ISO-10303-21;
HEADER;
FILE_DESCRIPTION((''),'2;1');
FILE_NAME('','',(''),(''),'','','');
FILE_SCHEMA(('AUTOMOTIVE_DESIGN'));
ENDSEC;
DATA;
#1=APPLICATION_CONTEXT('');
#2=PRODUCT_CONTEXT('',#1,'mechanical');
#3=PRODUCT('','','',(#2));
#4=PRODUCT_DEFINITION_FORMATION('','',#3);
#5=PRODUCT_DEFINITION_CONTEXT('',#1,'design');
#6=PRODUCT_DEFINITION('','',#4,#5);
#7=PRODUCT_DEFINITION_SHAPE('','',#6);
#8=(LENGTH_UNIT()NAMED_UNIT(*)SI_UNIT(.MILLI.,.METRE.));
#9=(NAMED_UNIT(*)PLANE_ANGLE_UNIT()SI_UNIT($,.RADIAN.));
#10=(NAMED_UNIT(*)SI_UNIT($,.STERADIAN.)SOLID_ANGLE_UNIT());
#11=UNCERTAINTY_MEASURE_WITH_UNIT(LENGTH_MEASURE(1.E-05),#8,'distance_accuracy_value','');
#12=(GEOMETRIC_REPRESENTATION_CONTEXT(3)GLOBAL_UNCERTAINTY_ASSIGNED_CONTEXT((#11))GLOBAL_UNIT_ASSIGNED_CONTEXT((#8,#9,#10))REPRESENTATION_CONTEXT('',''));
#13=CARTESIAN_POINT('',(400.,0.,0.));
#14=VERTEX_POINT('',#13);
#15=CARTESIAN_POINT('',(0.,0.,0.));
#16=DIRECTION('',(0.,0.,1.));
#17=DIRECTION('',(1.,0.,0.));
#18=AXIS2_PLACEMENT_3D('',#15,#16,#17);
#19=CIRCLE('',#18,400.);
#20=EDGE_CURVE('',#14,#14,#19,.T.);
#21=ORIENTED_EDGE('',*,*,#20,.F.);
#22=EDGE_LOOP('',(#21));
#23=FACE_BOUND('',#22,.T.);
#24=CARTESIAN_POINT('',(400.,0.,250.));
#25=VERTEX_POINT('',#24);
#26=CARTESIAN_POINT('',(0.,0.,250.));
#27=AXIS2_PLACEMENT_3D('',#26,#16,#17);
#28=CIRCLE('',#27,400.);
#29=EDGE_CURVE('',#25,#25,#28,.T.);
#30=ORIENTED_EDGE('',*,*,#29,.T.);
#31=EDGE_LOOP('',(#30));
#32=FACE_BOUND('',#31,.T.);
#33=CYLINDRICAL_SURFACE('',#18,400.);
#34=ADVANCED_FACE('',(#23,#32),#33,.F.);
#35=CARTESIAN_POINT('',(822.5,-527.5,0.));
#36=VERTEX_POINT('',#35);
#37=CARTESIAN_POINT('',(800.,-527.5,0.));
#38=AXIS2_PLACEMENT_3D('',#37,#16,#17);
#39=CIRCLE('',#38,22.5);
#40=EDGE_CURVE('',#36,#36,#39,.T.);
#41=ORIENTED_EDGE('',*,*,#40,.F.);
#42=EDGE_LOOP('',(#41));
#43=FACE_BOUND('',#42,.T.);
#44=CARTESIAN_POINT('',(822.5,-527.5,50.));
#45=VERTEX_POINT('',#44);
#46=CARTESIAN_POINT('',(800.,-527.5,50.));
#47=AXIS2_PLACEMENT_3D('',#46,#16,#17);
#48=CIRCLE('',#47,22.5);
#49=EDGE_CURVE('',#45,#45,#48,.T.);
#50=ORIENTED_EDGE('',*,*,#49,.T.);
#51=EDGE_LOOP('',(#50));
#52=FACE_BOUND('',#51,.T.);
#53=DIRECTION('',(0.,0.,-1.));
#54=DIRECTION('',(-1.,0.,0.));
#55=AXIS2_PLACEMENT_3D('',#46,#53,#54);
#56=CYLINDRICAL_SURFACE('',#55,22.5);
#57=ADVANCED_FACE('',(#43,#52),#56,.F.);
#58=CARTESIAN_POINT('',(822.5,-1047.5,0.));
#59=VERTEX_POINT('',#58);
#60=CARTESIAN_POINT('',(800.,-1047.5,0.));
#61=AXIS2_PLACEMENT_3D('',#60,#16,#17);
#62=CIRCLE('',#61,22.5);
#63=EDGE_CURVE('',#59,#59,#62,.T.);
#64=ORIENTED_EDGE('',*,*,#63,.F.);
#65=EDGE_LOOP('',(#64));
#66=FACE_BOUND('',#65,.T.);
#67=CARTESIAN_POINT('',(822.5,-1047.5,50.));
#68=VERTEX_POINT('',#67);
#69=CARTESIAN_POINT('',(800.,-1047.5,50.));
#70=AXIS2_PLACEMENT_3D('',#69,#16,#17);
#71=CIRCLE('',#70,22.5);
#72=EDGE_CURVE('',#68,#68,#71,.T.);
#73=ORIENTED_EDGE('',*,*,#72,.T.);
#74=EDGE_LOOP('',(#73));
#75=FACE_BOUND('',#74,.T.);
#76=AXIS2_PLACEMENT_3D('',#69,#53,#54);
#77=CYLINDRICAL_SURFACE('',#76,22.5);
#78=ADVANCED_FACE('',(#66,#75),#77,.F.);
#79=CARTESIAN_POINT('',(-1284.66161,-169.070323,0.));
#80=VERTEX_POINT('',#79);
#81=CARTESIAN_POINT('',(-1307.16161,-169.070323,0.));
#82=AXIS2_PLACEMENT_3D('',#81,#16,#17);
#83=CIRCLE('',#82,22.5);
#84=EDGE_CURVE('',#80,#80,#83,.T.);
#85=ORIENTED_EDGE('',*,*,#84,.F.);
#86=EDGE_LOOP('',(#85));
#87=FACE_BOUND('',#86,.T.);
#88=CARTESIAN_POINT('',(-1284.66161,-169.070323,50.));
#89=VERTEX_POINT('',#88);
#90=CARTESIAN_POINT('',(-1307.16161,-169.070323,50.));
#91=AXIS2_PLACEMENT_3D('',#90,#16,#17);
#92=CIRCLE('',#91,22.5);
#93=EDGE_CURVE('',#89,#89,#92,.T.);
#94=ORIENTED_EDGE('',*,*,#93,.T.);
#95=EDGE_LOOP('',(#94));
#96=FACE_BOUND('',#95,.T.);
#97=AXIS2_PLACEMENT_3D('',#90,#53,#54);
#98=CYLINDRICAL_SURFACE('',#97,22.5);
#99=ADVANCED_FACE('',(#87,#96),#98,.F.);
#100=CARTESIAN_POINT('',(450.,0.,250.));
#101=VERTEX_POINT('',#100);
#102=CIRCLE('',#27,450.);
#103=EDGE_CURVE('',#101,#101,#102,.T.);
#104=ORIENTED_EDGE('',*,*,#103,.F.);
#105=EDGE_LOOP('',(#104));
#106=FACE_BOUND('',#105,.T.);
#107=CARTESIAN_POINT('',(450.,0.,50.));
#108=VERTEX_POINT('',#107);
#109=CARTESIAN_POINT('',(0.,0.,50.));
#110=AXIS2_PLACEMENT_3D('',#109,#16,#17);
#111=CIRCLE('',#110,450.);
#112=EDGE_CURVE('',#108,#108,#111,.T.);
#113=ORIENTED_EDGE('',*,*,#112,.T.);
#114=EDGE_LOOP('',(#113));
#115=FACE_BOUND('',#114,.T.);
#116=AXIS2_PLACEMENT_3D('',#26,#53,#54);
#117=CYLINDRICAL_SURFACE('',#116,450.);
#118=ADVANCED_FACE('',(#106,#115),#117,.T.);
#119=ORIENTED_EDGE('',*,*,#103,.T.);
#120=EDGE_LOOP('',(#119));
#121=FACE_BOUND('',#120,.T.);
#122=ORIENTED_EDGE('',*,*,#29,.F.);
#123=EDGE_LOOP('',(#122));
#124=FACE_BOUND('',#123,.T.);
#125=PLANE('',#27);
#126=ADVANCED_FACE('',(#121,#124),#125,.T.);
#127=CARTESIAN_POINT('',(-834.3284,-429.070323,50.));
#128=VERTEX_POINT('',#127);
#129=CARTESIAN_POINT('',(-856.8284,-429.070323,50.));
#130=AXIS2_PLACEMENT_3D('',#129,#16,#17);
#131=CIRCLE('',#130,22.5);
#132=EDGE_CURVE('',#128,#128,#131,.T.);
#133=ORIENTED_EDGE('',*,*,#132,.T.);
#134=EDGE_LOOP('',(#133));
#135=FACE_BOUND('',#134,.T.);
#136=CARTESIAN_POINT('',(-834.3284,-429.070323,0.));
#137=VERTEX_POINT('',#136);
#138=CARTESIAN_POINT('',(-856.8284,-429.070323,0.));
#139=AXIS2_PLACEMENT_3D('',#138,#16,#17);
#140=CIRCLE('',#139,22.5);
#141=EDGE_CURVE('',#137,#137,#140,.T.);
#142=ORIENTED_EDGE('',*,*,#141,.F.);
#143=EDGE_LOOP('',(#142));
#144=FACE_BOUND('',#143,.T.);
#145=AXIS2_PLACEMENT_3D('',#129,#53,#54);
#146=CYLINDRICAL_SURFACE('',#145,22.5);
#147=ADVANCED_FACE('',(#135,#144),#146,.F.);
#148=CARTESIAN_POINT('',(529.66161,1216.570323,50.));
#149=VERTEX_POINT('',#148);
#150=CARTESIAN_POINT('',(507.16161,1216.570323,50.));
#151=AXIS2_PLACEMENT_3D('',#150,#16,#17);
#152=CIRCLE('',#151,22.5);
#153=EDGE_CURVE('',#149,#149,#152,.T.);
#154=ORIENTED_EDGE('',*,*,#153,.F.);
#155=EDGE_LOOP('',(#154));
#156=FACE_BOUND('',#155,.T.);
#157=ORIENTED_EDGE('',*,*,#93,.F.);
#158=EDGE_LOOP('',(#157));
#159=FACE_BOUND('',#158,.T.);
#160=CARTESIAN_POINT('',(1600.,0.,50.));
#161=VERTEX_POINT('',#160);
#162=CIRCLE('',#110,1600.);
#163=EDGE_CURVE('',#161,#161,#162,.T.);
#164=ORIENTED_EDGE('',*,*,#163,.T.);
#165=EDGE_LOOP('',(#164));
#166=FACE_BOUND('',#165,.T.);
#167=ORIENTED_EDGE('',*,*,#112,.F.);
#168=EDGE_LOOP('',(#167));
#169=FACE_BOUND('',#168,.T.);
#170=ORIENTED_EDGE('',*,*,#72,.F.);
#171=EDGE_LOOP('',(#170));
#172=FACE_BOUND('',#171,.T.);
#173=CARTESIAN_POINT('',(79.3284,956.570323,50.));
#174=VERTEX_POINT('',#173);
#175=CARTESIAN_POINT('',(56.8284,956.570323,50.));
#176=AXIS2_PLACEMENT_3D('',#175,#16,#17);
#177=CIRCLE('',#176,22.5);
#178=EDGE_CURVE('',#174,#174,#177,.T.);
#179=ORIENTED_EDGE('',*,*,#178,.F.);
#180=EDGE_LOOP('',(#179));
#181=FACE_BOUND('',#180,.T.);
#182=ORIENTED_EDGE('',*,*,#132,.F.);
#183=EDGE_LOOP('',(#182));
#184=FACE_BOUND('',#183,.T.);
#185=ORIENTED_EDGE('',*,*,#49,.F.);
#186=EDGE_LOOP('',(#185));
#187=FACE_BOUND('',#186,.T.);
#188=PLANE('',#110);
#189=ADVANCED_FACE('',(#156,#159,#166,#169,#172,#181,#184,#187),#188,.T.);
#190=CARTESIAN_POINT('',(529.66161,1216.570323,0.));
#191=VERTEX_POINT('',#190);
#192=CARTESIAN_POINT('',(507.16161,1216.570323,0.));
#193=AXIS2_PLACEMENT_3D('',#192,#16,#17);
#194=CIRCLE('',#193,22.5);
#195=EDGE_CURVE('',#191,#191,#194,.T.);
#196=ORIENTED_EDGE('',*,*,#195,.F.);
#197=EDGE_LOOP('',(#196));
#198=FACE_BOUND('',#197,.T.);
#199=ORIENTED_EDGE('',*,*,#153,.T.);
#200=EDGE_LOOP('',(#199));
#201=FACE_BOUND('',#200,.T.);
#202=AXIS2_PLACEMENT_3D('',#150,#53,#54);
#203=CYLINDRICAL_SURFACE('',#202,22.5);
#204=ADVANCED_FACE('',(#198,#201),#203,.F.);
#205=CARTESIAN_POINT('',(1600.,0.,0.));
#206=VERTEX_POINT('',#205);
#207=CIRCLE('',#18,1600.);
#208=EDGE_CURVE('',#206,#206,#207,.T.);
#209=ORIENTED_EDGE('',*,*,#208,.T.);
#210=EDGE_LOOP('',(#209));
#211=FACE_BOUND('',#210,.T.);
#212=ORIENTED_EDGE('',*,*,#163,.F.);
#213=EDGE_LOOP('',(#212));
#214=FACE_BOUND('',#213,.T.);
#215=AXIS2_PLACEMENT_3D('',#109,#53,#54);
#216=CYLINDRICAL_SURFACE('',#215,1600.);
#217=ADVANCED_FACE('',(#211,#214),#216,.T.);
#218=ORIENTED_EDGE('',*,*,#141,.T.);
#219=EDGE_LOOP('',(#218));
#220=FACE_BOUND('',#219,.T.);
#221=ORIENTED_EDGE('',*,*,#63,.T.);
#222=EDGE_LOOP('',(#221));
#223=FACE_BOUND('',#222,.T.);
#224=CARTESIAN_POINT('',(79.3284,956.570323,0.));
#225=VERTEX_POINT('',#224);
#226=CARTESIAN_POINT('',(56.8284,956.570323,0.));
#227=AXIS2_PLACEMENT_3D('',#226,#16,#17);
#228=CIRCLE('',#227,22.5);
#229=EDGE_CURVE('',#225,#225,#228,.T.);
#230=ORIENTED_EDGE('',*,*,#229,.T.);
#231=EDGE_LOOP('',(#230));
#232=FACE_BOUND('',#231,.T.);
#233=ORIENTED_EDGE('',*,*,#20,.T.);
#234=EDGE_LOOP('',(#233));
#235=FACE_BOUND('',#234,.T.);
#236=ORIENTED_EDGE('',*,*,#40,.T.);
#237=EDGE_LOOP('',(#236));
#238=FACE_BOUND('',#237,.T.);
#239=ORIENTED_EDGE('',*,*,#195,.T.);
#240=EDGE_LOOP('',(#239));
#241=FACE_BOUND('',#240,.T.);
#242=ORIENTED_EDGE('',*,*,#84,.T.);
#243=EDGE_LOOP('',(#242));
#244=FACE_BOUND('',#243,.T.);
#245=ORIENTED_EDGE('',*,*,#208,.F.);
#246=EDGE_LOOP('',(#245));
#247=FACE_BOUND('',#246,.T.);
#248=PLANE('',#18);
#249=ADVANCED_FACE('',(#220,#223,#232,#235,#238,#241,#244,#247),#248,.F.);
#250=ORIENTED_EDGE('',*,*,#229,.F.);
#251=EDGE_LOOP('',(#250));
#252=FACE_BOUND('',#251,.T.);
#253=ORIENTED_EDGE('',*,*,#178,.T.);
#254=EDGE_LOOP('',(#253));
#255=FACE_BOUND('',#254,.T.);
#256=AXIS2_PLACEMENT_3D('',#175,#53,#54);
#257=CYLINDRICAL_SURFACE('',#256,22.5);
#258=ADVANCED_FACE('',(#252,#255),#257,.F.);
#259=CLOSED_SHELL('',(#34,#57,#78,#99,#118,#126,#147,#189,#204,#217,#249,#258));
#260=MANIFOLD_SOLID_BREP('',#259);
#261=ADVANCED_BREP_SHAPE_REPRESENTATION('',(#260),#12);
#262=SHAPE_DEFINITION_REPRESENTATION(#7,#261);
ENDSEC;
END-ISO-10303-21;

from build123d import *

# Parameters (mm, degrees)
SKETCH2_R           = 1600
SKETCH2_R_2         = 22.5
BOSS_EXTRUDE1_DEPTH = 50
SKETCH3_R           = 400
CUT_EXTRUDE1_DEPTH  = 51
SKETCH4_R           = 450
BOSS_EXTRUDE2_DEPTH = 200
SKETCH5_R           = 400
CUT_EXTRUDE2_DEPTH  = 251


with BuildPart() as part:
    # Sketch2 → Boss-Extrude1 (new body)
    with BuildSketch(Plane.XY):
        Circle(SKETCH2_R)
        with Locations((800, -527.5)):
            Circle(SKETCH2_R_2, mode=Mode.SUBTRACT)
        with Locations((800, -1047.5)):
            Circle(SKETCH2_R_2, mode=Mode.SUBTRACT)
        with Locations((-856.828400496, -429.070323028)):
            Circle(SKETCH2_R_2, mode=Mode.SUBTRACT)
        with Locations((-1307.161610464, -169.070323028)):
            Circle(SKETCH2_R_2, mode=Mode.SUBTRACT)
        with Locations((56.828400496, 956.570323028)):
            Circle(SKETCH2_R_2, mode=Mode.SUBTRACT)
        with Locations((507.161610464, 1216.570323028)):
            Circle(SKETCH2_R_2, mode=Mode.SUBTRACT)
    extrude(amount=BOSS_EXTRUDE1_DEPTH)

    # Sketch3 → Cut-Extrude1 (cut, through all)
    with BuildSketch(Plane.XY.offset(50)):
        Circle(SKETCH3_R)
    extrude(amount=-CUT_EXTRUDE1_DEPTH, mode=Mode.SUBTRACT)

    # Sketch4 → Boss-Extrude2 (add)
    with BuildSketch(Plane.XY.offset(50)):
        Circle(SKETCH4_R)
    extrude(amount=BOSS_EXTRUDE2_DEPTH)

    # Sketch5 → Cut-Extrude2 (cut, through all)
    with BuildSketch(Plane.XY.offset(250)):
        Circle(SKETCH5_R)
    extrude(amount=-CUT_EXTRUDE2_DEPTH, mode=Mode.SUBTRACT)


solid = part.part
